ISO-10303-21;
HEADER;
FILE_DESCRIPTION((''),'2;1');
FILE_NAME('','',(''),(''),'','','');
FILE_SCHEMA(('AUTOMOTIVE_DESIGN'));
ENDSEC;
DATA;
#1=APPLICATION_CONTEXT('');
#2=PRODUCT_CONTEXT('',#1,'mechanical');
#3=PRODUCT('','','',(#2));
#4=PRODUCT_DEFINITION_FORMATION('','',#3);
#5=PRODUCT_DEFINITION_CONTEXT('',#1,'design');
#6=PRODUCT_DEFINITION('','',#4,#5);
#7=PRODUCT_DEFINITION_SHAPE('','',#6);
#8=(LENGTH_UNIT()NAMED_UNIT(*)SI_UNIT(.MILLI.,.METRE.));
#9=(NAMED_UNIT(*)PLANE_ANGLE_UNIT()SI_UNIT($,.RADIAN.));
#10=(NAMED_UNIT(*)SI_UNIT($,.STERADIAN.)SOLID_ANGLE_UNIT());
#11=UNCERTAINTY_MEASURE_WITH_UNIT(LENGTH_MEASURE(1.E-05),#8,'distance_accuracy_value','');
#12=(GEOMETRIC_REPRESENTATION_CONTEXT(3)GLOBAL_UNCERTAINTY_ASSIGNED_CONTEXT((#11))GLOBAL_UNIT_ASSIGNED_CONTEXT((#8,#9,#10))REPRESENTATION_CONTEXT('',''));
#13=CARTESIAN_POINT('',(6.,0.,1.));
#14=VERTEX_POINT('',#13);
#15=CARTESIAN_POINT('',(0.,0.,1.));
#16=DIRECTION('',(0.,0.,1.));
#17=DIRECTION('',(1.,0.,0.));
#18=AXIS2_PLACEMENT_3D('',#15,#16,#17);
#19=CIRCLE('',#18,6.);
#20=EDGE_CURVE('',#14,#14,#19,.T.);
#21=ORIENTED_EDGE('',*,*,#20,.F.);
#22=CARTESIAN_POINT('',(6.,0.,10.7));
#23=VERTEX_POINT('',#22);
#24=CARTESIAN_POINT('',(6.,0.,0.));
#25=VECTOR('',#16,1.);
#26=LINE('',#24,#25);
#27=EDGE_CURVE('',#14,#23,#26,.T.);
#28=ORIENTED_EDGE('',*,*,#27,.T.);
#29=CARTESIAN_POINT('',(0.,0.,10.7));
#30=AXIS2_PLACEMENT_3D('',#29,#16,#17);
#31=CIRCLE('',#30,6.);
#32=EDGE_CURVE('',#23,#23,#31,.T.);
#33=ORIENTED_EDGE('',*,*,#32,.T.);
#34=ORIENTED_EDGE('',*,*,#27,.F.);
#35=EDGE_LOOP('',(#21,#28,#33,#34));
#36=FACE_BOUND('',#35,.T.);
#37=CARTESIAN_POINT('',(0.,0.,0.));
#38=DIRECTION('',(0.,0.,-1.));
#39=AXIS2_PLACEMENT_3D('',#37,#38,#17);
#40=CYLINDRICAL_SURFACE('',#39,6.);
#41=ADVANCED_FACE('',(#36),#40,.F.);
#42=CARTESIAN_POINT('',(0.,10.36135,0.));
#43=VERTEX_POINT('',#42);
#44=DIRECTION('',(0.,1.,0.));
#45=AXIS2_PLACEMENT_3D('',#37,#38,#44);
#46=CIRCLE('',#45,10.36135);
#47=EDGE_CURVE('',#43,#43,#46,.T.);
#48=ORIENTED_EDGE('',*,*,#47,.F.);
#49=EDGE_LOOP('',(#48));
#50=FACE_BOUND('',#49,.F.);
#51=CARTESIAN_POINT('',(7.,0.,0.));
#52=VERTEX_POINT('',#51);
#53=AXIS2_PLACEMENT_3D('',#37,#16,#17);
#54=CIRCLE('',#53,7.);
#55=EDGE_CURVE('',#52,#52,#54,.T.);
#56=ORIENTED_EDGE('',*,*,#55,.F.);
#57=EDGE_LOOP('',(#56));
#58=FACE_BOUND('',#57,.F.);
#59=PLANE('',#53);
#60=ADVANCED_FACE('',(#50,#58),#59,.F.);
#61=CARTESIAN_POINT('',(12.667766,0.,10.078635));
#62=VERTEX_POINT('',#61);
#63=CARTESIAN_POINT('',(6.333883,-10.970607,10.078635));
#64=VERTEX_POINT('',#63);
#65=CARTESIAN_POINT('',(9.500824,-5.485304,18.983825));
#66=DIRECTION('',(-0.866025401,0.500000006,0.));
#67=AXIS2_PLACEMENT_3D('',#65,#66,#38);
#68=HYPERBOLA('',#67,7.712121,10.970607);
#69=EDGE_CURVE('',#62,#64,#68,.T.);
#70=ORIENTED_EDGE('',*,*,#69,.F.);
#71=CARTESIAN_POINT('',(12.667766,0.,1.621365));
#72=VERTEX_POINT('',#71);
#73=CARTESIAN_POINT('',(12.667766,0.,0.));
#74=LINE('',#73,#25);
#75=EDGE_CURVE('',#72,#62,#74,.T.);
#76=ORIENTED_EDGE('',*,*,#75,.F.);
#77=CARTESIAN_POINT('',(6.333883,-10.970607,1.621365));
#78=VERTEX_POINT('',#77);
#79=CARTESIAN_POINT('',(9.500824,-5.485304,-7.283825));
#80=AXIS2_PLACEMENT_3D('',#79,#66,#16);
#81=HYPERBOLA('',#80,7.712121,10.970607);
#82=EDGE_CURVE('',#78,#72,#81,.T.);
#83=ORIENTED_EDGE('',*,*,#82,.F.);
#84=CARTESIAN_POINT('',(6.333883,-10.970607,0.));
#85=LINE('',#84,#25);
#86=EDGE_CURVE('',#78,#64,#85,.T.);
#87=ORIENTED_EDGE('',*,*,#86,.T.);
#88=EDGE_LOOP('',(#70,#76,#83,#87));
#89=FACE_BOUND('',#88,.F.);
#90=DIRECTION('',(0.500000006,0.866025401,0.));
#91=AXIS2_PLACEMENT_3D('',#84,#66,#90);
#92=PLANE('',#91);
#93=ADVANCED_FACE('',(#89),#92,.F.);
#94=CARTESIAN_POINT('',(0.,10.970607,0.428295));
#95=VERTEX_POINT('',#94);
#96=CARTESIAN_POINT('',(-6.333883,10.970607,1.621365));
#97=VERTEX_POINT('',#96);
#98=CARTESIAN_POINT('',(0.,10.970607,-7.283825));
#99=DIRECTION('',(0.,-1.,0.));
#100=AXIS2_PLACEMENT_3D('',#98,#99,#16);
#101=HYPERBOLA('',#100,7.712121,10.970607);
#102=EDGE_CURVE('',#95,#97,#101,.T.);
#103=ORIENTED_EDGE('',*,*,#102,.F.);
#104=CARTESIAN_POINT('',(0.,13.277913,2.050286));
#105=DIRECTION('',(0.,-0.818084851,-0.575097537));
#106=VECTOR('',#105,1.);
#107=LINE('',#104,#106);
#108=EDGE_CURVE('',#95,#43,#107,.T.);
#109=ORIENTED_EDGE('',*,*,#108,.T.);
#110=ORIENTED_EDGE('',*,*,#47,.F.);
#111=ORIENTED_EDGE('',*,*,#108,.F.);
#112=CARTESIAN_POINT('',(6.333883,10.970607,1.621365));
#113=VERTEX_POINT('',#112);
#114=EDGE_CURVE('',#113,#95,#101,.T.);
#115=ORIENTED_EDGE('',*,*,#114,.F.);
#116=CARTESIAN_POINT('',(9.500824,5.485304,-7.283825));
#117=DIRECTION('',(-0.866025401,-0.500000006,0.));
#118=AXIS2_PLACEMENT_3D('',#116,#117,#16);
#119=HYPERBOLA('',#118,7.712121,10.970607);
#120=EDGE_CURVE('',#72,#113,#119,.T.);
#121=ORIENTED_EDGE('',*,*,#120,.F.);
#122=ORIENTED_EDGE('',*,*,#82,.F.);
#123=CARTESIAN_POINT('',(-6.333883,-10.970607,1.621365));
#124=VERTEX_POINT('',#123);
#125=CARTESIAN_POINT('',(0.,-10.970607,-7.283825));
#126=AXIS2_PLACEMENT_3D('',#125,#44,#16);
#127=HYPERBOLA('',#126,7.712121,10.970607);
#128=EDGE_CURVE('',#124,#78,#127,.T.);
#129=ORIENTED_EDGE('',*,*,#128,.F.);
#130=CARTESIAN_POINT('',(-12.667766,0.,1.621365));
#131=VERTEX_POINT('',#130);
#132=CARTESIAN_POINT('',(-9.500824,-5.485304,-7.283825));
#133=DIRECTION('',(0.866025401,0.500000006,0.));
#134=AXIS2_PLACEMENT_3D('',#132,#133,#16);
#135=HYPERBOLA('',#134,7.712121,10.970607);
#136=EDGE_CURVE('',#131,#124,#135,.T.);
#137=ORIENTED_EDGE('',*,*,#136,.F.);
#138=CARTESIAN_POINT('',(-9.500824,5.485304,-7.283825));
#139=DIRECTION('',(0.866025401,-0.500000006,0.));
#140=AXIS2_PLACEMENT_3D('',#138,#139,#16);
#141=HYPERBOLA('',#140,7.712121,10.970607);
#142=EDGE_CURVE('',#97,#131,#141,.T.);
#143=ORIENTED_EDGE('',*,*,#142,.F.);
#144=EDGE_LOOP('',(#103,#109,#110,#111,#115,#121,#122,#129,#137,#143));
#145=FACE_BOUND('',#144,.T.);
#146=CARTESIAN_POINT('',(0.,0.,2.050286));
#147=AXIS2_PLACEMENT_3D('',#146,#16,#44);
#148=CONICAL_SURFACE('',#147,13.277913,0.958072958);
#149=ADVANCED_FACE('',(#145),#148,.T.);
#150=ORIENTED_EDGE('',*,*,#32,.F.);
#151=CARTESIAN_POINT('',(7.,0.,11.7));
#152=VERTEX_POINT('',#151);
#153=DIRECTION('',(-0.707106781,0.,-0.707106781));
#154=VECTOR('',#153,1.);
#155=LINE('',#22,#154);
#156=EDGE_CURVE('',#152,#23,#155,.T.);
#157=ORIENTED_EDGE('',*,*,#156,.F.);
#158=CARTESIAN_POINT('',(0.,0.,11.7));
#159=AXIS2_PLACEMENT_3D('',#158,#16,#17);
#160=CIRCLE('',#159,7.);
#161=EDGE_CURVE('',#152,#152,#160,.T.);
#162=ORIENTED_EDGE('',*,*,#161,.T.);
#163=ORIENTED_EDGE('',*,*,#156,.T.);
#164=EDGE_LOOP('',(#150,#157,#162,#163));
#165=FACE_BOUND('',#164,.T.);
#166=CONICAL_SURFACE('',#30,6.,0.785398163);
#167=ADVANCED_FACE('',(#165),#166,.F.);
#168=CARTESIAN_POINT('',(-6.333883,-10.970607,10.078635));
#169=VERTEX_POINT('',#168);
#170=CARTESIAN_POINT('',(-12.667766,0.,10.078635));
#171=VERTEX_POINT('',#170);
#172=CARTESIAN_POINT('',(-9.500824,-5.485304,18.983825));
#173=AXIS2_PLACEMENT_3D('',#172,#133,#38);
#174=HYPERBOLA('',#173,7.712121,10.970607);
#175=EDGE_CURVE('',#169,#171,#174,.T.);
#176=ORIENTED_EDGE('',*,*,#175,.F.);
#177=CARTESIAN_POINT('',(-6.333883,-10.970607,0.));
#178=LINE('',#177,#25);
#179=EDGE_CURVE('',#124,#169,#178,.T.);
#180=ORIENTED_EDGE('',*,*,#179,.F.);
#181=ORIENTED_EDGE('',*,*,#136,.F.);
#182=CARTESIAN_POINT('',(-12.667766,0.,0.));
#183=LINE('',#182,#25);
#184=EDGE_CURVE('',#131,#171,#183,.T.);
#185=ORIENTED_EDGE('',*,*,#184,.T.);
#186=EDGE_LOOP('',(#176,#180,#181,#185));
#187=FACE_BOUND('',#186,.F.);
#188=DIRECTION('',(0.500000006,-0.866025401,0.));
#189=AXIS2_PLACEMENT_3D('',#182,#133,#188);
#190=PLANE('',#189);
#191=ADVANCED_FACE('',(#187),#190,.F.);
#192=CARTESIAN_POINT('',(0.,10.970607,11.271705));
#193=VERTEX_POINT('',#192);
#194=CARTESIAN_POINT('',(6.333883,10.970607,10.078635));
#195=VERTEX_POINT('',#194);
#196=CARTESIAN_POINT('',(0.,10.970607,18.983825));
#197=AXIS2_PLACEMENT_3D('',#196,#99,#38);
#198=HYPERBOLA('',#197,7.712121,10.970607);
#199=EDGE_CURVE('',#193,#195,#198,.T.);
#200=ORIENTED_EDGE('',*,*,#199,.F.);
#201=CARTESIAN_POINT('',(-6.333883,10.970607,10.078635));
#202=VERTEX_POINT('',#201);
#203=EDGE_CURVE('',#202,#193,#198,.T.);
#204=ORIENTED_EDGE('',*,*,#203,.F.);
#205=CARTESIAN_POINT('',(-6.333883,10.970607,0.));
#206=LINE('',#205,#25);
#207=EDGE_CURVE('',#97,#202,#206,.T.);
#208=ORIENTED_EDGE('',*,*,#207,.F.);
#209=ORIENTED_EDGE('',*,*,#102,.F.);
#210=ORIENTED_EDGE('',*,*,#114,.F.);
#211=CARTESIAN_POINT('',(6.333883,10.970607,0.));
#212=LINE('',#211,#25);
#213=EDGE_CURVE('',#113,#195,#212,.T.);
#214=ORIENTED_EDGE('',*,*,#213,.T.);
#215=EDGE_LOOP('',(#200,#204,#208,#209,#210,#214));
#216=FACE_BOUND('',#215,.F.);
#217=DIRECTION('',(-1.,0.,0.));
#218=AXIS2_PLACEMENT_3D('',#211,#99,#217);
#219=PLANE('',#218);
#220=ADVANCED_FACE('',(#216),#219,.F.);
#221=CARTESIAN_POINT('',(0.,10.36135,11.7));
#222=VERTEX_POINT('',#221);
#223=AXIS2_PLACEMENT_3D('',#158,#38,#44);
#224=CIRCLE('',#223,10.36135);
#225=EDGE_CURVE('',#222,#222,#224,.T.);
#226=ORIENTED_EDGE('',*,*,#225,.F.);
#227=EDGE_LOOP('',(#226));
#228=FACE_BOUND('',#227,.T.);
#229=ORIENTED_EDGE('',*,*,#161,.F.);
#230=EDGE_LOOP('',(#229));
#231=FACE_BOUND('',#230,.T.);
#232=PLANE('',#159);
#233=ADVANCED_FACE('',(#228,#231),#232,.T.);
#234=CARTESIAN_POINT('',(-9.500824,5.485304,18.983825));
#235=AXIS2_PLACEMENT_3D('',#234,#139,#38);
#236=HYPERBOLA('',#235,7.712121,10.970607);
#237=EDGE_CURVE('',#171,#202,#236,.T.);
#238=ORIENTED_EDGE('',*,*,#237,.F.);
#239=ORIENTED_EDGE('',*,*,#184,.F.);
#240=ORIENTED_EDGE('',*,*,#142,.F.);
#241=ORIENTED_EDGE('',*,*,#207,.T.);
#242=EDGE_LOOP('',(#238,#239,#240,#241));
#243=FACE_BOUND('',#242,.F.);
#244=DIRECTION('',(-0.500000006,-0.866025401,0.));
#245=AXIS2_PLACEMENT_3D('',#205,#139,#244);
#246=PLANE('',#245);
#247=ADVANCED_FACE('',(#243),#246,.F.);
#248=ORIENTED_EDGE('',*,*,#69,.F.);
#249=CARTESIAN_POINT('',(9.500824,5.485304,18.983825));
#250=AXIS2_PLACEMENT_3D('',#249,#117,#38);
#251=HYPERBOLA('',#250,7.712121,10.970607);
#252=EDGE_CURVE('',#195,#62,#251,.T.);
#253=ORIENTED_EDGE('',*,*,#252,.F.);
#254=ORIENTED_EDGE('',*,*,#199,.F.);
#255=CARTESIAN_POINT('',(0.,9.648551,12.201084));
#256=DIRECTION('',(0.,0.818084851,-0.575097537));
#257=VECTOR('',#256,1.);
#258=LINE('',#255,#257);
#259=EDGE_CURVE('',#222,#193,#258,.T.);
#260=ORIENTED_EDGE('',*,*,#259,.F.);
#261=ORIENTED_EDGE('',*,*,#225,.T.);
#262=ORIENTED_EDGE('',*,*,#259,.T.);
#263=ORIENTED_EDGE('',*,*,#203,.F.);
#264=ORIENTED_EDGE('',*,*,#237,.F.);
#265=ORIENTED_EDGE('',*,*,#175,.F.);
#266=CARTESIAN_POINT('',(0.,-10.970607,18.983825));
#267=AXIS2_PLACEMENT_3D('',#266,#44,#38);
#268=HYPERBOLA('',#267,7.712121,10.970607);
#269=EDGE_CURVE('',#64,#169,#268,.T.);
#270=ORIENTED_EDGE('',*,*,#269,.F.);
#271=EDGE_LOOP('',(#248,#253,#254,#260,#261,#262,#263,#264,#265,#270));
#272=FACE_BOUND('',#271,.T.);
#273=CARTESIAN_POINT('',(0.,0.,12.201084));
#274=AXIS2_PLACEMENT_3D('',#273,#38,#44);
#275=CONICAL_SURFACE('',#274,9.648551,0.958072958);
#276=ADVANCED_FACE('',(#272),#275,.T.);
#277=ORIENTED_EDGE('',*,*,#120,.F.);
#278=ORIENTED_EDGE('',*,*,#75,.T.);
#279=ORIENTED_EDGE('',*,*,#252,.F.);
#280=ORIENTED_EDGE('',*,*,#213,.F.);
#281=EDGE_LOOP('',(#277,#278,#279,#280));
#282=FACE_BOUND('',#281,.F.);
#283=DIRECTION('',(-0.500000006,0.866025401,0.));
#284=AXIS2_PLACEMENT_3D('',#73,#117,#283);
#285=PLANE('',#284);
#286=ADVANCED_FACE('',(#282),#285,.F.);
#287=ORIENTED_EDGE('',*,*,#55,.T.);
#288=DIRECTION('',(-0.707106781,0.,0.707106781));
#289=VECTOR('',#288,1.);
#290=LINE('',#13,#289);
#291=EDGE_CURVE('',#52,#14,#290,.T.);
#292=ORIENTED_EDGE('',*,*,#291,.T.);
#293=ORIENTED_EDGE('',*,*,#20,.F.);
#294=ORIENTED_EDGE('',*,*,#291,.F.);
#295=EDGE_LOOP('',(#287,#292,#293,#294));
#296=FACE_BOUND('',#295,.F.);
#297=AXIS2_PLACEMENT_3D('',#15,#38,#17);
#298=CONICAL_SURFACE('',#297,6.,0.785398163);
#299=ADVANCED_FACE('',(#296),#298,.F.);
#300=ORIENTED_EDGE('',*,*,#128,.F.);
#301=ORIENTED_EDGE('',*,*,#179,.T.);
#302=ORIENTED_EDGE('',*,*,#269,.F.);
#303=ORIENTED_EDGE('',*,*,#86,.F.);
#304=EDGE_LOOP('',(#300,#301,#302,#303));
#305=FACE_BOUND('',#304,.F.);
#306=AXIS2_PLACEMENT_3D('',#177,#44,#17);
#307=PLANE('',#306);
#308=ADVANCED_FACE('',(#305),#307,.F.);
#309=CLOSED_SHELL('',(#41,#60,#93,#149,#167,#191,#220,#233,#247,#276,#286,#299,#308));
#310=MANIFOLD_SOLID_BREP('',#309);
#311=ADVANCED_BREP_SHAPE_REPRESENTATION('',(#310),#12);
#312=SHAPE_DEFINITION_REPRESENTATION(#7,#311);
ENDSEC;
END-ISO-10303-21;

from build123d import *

# Parameters (mm, degrees)
F0_R     = 6
F1_DEPTH = 11.7
F4_SIZE  = 1


with BuildPart() as f1:
    # F0 (on Top) → F1 (new body)
    with BuildSketch(Plane.XY):
        Polygon((6.333883, 10.970607), (-6.333883, 10.970607), (-12.667766, 0), (-6.333883, -10.970607), (6.333883, -10.970607), (12.667766, 0), align=None)
        Circle(F0_R, mode=Mode.SUBTRACT)
    extrude(amount=F1_DEPTH)

    # F2 (on Right) → F3 (revolve, cut)
    with BuildSketch(Plane.YZ):
        Polygon((13.277913, 12.61499), (9.648551, 12.201084), (13.277913, 9.649714), align=None)
        Polygon((13.277913, 2.050286), (9.648551, -0.501084), (13.277913, -0.91499), align=None)
    revolve(axis=Axis((0, 0, 5.981519), (0, 0, -1)), mode=Mode.SUBTRACT)

    # F4
    f4_edges = [f1.edges().sort_by_distance(p)[0] for p in [
        (-6, 0, 11.7),
        (-6, 0, 0),
    ]]
    chamfer(f4_edges, length=F4_SIZE)


solid = f1.part
